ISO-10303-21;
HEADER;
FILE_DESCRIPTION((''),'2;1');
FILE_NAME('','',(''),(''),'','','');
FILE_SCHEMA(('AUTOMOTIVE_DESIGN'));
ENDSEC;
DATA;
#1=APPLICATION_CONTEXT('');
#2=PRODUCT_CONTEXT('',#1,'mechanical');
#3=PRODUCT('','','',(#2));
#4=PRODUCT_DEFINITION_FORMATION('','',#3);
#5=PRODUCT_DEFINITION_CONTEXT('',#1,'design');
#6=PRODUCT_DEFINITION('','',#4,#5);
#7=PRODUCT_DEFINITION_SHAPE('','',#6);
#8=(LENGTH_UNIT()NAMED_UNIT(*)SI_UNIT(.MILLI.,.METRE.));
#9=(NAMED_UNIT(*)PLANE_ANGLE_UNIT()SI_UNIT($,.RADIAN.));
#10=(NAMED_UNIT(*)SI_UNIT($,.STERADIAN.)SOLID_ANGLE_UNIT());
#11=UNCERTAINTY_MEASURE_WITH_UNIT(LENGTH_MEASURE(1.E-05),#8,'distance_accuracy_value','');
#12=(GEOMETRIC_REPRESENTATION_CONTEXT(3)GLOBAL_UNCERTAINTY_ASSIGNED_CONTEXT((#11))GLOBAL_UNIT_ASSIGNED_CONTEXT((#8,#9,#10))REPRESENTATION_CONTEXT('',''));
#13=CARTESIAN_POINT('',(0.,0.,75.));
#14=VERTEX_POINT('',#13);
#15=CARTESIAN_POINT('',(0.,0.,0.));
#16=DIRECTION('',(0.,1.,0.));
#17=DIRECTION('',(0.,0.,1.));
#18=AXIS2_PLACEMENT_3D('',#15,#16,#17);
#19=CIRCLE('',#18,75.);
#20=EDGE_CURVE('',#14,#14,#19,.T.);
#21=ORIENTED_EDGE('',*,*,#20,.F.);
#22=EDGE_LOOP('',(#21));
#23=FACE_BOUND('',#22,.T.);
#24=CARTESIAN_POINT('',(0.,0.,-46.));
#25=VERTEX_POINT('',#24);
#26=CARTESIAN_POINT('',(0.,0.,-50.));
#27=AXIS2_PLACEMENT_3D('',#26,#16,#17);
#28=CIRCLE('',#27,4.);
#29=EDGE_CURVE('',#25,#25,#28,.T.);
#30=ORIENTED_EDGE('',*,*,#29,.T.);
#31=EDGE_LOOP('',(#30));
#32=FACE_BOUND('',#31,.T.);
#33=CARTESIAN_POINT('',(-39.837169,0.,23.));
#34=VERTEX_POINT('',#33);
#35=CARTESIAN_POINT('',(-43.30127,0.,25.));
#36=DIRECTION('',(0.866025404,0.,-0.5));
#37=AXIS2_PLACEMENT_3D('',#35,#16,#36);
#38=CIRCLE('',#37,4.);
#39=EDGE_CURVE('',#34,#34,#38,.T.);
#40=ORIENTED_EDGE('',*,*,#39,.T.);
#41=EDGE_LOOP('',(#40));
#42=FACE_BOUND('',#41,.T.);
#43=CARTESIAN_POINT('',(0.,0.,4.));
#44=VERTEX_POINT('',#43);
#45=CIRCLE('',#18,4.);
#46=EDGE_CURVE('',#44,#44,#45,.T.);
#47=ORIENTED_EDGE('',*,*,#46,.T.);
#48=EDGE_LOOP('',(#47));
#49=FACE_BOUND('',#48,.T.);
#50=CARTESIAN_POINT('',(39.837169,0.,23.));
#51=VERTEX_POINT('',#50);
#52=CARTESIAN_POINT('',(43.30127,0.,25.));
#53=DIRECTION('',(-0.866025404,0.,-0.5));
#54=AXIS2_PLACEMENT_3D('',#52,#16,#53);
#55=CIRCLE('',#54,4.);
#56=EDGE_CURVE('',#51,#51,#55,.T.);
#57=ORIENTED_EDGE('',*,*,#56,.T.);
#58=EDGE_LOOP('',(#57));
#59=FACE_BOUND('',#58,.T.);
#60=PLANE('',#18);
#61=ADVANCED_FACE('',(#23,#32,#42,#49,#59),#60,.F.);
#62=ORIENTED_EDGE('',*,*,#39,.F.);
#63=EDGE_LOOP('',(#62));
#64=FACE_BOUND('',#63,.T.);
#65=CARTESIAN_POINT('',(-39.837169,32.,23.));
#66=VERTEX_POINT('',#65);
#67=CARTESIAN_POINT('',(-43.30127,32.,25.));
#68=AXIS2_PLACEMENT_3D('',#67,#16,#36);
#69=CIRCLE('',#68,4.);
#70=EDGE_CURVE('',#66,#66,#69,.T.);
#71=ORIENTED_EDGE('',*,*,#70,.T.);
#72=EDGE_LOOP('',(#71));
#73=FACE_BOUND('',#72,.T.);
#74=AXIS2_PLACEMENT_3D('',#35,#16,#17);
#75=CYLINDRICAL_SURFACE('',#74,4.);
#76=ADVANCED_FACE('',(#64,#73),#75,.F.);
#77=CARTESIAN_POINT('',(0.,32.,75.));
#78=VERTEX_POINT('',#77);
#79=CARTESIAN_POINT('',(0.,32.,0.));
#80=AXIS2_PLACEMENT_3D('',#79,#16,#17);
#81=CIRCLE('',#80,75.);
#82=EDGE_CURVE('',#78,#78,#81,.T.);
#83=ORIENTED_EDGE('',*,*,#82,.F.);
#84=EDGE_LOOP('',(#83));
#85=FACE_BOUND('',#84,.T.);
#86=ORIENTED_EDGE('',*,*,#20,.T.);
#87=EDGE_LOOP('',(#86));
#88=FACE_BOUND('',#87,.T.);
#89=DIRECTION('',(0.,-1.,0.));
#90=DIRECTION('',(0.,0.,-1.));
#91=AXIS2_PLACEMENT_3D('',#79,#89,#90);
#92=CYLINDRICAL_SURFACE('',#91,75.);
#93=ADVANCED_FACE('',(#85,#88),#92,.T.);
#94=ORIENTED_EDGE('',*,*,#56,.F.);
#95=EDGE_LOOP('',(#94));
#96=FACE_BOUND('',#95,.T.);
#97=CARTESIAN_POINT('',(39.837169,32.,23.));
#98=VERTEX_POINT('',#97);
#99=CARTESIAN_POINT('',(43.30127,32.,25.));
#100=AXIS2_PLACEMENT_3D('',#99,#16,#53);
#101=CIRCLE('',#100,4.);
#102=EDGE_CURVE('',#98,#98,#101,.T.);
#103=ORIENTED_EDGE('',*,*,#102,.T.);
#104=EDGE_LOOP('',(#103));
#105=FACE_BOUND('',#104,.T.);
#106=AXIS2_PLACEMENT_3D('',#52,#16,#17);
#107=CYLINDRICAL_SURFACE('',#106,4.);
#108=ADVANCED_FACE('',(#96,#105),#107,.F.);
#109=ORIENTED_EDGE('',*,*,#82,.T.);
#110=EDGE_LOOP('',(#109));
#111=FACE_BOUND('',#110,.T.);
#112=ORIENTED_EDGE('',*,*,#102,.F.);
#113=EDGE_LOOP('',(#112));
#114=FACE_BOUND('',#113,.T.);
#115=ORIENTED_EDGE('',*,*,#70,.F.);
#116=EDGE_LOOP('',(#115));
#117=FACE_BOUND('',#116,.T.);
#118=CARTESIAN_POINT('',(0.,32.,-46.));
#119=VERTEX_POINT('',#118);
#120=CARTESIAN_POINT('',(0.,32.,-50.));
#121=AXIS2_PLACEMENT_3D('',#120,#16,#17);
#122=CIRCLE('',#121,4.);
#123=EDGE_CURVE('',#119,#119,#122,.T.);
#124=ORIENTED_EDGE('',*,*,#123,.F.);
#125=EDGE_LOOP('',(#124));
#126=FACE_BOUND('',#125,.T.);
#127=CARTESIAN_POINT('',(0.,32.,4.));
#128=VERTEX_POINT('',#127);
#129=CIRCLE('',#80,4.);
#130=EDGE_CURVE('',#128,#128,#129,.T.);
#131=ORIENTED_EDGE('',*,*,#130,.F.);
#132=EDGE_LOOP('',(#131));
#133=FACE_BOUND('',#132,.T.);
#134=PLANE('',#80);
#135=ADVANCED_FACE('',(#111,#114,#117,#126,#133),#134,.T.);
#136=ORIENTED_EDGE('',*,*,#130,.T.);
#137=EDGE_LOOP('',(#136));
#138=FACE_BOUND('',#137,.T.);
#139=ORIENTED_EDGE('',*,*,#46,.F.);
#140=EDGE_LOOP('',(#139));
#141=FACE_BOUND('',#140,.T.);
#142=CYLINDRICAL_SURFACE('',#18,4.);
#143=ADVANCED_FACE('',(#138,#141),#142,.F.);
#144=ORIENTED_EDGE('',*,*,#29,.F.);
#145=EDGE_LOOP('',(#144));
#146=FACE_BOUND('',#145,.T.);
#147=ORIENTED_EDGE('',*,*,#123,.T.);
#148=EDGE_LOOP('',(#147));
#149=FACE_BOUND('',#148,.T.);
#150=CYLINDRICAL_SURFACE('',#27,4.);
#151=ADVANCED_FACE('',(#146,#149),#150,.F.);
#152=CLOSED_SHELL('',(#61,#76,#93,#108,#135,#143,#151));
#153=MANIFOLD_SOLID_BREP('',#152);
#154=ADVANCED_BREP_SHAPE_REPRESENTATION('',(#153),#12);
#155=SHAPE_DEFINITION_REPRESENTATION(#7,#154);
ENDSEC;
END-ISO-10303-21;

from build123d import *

# Parameters (mm, degrees)
SKETCH1_R           = 75
BOSS_EXTRUDE1_DEPTH = 32
SKETCH2_R           = 4
CUT_EXTRUDE1_DEPTH  = 111.788086002
CIRPATTERN1_COUNT   = 3
SKETCH3_R           = 4
CUT_EXTRUDE2_DEPTH  = 111.788086002


with BuildPart() as part:
    # Sketch1 → Boss-Extrude1 (new body)
    with BuildSketch(Plane(origin=(0, 0, 0), x_dir=(1, 0, 0), z_dir=(0, 1, 0))):
        Circle(SKETCH1_R)
    extrude(amount=BOSS_EXTRUDE1_DEPTH)

    # Sketch2 → Cut-Extrude1 (cut, through all)
    with BuildSketch(Plane(origin=(0, 32, 0), x_dir=(1, 0, 0), z_dir=(0, 1, 0))):
        with Locations((0, 50)):
            Circle(SKETCH2_R)
    cut_extrude1 = extrude(amount=-CUT_EXTRUDE1_DEPTH, mode=Mode.SUBTRACT)

    # CirPattern1: Cut-Extrude1 ×3 about axis
    cirpattern1_axis = Axis((0, 33.6, 0), (0, -1, 0))
    for i in range(1, CIRPATTERN1_COUNT):
        add(cut_extrude1.rotate(cirpattern1_axis, i * 360 / CIRPATTERN1_COUNT), mode=Mode.SUBTRACT)

    # Sketch3 → Cut-Extrude2 (cut, through all)
    with BuildSketch(Plane(origin=(0, 32, 0), x_dir=(1, 0, 0), z_dir=(0, 1, 0))):
        Circle(SKETCH3_R)
    extrude(amount=-CUT_EXTRUDE2_DEPTH, mode=Mode.SUBTRACT)


solid = part.part
